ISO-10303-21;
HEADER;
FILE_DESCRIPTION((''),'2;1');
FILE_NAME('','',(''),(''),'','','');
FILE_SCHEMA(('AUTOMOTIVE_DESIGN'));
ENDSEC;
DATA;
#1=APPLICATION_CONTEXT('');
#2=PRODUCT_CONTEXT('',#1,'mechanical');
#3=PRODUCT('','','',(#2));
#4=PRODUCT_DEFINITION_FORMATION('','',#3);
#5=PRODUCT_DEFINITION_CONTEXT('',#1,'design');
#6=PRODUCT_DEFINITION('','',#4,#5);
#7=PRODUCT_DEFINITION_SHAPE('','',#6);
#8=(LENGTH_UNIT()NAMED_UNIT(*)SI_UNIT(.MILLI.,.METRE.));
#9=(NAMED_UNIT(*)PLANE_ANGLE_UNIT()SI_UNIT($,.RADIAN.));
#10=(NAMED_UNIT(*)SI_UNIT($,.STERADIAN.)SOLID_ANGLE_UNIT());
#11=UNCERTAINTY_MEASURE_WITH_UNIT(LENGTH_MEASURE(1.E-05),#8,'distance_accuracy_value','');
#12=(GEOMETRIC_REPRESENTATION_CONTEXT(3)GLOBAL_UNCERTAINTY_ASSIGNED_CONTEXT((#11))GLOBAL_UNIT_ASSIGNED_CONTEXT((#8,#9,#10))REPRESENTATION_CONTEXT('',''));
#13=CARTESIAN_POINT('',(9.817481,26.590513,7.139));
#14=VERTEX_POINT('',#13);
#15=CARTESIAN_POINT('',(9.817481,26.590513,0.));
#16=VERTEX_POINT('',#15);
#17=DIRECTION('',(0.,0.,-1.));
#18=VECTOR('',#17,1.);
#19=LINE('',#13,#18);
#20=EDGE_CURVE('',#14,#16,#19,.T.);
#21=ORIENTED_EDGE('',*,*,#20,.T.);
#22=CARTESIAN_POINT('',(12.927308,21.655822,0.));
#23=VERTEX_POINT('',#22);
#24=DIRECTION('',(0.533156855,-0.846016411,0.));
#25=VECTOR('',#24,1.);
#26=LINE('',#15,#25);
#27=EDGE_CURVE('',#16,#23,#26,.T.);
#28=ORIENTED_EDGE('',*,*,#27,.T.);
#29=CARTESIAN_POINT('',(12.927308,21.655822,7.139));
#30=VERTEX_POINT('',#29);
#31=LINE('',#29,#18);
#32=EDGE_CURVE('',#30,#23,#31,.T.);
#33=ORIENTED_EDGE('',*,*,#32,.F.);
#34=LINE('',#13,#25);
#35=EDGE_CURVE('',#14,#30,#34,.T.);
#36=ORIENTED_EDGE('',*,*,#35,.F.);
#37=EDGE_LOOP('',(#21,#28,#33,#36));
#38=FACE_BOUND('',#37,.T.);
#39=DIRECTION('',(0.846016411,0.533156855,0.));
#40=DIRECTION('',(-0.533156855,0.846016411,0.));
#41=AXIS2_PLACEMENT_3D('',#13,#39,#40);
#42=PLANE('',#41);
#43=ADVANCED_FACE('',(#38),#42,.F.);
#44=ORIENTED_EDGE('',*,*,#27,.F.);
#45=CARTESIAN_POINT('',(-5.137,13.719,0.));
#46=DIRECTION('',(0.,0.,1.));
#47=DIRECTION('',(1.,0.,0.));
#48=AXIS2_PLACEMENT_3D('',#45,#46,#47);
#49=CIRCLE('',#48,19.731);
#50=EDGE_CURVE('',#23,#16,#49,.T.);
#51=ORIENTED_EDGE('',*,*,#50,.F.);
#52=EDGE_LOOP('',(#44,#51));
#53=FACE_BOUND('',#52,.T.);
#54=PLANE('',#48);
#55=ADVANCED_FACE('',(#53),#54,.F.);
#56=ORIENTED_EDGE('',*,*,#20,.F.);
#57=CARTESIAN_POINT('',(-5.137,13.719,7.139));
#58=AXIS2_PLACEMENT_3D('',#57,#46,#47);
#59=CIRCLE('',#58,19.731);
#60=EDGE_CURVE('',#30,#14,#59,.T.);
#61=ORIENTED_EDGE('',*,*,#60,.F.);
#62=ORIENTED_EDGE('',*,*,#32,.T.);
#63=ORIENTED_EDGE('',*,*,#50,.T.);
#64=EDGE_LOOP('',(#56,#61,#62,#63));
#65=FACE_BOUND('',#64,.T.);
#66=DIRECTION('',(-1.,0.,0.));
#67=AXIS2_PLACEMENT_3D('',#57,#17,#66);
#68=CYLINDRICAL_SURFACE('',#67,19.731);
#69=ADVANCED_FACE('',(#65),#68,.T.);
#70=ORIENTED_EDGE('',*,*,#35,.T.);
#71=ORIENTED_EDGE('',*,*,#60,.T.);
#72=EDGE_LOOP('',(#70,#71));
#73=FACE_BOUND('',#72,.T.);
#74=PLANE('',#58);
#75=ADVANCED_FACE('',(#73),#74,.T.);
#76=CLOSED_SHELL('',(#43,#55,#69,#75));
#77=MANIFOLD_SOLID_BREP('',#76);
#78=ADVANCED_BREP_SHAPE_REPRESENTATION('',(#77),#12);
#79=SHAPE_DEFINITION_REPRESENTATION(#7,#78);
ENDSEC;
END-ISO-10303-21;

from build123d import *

# Parameters (mm, degrees)
CURVEBOSS_DEPTH = 7.139


with BuildPart() as part:
    # CurveSketch → CurveBoss (new body)
    with BuildSketch(Plane.XY):
        with BuildLine():
            Line((9.817481054, 26.590513407), (12.927307673, 21.655822369))
            ThreePointArc((12.927307673, 21.655822369), (11.555749808, 24.238717907), (9.817481054, 26.590513407))
        make_face()
    extrude(amount=CURVEBOSS_DEPTH)


solid = part.part
